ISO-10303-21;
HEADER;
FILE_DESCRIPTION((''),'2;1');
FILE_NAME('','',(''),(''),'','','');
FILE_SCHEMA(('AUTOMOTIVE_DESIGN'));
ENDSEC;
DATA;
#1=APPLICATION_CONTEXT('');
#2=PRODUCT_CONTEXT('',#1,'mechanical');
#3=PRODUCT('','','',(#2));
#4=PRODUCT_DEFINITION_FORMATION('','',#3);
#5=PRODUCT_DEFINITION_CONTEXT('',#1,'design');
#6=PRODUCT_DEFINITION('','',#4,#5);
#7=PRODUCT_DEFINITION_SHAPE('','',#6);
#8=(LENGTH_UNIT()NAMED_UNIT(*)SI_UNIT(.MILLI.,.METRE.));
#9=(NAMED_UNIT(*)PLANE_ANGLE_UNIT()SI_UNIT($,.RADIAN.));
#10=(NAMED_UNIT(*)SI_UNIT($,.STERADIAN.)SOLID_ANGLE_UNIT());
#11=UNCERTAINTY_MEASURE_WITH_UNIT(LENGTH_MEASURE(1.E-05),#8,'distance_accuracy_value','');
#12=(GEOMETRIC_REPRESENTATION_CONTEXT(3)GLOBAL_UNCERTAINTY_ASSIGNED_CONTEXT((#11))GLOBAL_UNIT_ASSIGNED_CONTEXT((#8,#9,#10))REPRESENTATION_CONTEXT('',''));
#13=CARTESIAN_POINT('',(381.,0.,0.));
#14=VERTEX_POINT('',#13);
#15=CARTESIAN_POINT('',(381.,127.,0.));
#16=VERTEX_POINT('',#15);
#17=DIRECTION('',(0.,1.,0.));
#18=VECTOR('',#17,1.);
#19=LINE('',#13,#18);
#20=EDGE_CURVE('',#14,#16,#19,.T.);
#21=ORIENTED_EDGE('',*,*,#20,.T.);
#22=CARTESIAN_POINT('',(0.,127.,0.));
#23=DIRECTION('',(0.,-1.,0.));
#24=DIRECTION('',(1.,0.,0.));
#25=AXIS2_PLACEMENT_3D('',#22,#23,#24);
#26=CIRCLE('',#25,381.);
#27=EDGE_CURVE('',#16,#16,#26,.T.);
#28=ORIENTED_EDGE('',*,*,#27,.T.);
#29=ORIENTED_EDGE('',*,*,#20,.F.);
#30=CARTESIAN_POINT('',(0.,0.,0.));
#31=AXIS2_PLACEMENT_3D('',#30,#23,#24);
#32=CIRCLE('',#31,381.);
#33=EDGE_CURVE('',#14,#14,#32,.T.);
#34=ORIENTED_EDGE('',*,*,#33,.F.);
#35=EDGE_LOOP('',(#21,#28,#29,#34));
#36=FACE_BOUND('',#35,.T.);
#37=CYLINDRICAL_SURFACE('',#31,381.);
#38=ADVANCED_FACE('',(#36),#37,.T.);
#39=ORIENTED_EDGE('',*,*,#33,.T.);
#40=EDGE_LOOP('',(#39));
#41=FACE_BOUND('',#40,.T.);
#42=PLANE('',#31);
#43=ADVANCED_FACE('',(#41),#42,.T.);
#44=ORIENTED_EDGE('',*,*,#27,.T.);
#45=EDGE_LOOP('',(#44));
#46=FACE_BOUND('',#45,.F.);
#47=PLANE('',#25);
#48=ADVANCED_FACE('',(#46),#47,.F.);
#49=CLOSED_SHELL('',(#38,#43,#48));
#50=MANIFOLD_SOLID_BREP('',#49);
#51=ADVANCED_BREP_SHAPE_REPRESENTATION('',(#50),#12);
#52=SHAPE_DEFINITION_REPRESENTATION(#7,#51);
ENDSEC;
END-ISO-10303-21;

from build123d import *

# Parameters (mm, degrees)
F1_R     = 381
F2_DEPTH = 127


with BuildPart() as f2:
    # F1 (on face) → F2 (new body)
    with BuildSketch(Plane.XZ):
        Circle(F1_R)
    extrude(amount=-F2_DEPTH)


solid = f2.part
